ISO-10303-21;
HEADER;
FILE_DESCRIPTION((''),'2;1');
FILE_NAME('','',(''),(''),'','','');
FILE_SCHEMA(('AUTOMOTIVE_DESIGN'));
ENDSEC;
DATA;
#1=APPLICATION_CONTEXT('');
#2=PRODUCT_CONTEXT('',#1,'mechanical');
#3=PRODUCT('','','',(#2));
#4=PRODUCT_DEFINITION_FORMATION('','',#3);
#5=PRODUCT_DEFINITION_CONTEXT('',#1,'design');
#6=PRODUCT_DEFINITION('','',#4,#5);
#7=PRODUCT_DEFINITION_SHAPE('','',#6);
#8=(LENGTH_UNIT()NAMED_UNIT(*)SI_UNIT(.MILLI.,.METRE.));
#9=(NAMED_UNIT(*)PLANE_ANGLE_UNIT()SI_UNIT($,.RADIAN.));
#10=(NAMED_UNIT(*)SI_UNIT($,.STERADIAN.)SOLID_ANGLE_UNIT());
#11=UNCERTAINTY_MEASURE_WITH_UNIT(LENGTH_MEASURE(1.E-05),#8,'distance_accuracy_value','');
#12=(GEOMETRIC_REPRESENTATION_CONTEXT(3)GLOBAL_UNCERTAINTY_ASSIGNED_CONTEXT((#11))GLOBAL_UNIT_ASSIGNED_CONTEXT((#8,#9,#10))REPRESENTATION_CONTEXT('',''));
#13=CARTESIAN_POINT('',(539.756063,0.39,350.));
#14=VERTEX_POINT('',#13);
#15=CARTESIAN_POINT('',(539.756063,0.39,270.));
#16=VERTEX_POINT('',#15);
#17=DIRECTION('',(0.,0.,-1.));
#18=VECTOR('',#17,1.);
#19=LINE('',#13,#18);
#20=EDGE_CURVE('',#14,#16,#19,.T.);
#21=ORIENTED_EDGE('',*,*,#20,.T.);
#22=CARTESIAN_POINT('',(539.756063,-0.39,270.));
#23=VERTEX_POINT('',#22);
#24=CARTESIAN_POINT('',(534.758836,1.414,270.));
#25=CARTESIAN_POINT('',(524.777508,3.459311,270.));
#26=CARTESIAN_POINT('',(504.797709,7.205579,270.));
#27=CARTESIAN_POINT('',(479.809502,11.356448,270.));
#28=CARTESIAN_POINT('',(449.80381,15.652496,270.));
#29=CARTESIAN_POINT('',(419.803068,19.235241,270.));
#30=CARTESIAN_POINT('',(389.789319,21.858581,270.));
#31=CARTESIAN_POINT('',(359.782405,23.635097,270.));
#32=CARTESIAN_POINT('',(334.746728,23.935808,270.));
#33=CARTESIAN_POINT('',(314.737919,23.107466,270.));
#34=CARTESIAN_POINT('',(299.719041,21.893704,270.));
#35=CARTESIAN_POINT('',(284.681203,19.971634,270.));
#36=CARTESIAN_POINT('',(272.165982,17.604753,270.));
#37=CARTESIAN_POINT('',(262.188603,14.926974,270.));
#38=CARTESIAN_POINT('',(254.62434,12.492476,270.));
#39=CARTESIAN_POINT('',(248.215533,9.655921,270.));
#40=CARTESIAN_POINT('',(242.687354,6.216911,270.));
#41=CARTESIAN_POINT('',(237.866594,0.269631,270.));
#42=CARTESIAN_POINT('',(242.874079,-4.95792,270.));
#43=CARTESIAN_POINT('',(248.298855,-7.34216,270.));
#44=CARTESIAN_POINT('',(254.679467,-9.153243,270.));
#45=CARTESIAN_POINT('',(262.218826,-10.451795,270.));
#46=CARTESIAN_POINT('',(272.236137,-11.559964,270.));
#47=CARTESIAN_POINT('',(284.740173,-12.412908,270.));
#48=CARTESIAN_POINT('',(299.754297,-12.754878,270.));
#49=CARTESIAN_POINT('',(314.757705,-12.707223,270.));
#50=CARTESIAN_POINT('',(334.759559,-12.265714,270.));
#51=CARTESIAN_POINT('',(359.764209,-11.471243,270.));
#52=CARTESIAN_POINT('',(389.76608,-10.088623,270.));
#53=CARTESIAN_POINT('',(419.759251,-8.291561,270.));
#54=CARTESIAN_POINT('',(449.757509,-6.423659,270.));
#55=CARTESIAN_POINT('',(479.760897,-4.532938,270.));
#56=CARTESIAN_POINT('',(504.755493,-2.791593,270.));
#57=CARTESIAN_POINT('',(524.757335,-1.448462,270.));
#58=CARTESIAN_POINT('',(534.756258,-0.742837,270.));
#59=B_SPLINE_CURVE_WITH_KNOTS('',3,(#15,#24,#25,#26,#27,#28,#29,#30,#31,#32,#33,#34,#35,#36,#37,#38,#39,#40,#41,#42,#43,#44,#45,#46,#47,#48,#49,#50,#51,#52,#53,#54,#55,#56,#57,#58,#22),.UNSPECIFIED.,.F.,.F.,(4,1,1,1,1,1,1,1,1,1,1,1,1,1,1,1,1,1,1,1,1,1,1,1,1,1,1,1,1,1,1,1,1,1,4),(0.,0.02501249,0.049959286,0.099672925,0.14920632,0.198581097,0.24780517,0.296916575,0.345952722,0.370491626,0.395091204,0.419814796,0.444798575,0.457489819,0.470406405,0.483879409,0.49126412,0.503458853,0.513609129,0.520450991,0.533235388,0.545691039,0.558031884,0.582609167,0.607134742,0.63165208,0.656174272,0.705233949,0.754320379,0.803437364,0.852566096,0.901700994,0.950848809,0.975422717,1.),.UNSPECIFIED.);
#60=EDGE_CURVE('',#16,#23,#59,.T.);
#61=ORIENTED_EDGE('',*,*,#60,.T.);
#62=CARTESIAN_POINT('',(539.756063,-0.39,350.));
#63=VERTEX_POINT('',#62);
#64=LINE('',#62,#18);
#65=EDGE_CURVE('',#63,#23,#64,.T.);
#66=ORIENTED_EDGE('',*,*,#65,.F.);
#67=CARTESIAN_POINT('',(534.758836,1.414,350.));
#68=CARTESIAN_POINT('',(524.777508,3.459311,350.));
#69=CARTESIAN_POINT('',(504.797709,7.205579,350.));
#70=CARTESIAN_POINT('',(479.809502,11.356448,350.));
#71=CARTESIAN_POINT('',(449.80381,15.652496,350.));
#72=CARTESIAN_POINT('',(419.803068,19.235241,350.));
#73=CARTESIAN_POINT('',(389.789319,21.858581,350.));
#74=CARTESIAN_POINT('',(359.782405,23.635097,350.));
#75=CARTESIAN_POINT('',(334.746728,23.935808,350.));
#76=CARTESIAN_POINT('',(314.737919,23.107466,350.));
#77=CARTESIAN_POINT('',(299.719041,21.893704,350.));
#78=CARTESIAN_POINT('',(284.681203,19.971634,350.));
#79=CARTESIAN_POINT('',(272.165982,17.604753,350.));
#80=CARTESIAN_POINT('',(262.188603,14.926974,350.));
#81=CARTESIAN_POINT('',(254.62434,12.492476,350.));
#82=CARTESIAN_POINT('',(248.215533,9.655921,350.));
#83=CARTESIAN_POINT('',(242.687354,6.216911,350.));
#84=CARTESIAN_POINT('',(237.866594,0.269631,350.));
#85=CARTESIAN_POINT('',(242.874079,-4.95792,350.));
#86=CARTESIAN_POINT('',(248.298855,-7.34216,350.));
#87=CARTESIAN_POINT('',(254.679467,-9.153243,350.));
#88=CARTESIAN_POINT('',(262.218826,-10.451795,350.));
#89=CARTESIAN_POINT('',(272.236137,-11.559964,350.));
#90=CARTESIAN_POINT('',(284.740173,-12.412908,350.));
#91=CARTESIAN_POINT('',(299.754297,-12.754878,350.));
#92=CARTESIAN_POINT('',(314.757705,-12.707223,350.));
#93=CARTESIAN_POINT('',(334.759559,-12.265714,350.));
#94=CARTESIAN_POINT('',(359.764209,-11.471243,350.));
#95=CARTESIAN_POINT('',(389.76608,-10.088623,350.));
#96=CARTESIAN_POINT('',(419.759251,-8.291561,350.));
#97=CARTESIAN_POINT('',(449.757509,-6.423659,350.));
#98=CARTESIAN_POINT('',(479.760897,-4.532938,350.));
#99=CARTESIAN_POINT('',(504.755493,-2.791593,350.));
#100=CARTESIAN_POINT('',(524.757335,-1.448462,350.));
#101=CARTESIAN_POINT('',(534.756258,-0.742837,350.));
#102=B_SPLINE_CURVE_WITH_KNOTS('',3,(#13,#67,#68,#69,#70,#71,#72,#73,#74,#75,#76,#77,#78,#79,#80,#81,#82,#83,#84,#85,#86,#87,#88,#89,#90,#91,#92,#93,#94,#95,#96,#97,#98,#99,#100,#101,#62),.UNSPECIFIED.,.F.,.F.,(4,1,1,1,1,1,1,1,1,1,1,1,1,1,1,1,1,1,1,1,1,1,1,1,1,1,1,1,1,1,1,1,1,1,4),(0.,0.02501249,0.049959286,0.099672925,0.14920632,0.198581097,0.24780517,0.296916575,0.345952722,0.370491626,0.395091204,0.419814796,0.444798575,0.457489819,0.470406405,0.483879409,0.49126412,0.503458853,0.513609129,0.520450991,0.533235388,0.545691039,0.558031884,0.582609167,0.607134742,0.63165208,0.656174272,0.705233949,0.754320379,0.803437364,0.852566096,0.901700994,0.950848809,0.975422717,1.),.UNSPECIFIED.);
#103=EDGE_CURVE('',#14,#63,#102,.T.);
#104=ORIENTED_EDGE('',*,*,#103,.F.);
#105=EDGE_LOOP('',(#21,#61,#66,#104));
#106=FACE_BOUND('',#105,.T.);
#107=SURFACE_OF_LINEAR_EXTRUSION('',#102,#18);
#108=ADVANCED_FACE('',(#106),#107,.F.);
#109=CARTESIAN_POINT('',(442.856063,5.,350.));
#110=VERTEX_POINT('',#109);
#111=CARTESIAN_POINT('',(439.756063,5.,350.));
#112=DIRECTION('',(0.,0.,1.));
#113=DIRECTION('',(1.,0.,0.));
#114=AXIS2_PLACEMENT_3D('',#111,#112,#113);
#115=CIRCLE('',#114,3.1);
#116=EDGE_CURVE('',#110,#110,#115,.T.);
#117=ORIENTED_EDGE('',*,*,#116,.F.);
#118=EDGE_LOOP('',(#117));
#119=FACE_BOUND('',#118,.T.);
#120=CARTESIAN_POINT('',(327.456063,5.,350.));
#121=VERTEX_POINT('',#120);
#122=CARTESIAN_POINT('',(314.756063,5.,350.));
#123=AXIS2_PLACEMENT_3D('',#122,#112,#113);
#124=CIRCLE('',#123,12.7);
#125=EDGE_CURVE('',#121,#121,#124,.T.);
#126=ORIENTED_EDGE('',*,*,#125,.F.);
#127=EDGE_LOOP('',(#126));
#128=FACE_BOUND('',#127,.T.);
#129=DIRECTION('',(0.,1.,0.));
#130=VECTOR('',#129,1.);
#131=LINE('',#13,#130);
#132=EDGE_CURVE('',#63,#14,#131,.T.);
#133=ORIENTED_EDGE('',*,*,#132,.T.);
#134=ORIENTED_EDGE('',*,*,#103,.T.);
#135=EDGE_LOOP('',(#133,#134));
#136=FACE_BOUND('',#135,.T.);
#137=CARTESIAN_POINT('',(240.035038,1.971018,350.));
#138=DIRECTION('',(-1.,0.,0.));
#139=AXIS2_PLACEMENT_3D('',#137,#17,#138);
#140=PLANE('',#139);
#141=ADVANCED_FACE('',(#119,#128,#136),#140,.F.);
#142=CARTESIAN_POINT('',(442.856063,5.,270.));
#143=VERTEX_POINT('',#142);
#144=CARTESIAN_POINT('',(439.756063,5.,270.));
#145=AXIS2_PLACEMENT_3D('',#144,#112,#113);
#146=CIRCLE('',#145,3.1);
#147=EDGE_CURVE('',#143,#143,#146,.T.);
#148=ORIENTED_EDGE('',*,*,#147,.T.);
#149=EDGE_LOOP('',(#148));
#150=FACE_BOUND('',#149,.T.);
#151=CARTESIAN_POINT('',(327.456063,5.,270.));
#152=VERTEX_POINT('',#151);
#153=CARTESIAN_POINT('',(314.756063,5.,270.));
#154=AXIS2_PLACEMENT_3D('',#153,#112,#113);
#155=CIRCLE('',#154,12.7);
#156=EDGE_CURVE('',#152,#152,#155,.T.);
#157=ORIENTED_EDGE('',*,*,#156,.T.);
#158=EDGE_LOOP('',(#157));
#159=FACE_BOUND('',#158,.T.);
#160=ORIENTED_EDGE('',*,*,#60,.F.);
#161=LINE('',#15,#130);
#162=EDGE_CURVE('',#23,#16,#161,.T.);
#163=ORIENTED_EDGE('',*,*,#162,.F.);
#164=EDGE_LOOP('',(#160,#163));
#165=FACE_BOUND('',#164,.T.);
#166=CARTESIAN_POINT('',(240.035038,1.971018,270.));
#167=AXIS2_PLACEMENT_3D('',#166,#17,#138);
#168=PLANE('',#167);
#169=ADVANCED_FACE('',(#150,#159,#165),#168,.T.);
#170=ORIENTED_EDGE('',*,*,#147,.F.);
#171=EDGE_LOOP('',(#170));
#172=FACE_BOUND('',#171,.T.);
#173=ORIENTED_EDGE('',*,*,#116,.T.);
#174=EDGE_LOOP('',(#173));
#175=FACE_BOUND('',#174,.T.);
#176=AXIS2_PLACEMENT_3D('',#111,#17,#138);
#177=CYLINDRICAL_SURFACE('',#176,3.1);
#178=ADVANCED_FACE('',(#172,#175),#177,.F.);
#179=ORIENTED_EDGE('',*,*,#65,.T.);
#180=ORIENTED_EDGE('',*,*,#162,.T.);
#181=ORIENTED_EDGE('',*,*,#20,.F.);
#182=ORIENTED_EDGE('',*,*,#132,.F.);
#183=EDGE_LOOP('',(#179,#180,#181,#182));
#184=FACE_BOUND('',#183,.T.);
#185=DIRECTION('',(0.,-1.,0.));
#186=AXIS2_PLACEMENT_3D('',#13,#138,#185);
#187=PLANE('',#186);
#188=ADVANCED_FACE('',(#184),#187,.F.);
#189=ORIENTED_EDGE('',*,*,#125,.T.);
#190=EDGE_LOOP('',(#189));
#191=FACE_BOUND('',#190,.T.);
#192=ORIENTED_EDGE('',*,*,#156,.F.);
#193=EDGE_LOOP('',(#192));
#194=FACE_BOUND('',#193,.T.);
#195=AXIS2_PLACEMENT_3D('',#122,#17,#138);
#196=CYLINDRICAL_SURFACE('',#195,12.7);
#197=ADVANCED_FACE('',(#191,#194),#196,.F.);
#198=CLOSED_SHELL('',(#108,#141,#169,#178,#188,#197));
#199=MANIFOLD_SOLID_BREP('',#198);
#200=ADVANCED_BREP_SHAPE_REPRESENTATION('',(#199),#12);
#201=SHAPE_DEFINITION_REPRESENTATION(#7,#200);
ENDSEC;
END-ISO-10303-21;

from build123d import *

# Parameters (mm, degrees)
SKETCH1_R           = 12.7
SKETCH1_R_2         = 3.1
BOSS_EXTRUDE1_DEPTH = 80


with BuildPart() as part:
    # Sketch1 → Boss-Extrude1 (new body)
    with BuildSketch(Plane.XY):
        with BuildLine():
            Line((269.75606318, 0.39), (269.75606318, -0.39))
            add(Edge.make_bspline(
                [(269.75606318, 0.39), (264.758836378, 1.414000082), (254.777507596, 3.45931079), (234.797708888, 7.205579334), (209.809502227, 11.35644797), (179.803810027, 15.652495779), (149.803067524, 19.235240906), (119.789318532, 21.858580513), (89.782404697, 23.635097209), (64.746727737, 23.935808407), (44.737918653, 23.107465721), (29.719041415, 21.893704318), (14.681203014, 19.97163417), (2.165982385, 17.604753461), (-7.811397109, 14.926973956), (-15.375659845, 12.492476274), (-21.78446685, 9.655920822), (-27.312645833, 6.216911108), (-32.133405509, 0.269631354), (-27.125920641, -4.957920198), (-21.701145045, -7.342160266), (-15.320533432, -9.153243486), (-7.781174347, -10.451795047), (2.236136575, -11.559964158), (14.740172541, -12.412907572), (29.754296801, -12.754877712), (44.757705477, -12.707223024), (64.759558695, -12.26571363), (89.764209215, -11.471242967), (119.766079926, -10.088623246), (149.759251014, -8.291561108), (179.757509222, -6.423658887), (209.760896614, -4.532938454), (234.755492949, -2.791593222), (254.757335305, -1.448461772), (264.756258336, -0.742836743), (269.75606318, -0.39)],
                knots=[0, 0, 0, 0, 0.02501249, 0.049959286, 0.099672925, 0.14920632, 0.198581097, 0.24780517, 0.296916575, 0.345952722, 0.370491626, 0.395091204, 0.419814796, 0.444798575, 0.457489819, 0.470406405, 0.483879409, 0.49126412, 0.503458853, 0.513609129, 0.520450991, 0.533235388, 0.545691039, 0.558031884, 0.582609167, 0.607134742, 0.63165208, 0.656174272, 0.705233949, 0.754320379, 0.803437364, 0.852566096, 0.901700994, 0.950848809, 0.975422717, 1, 1, 1, 1], degree=3))
        make_face()
        with Locations((44.75606318, 5)):
            Circle(SKETCH1_R, mode=Mode.SUBTRACT)
        with Locations((169.75606318, 5)):
            Circle(SKETCH1_R_2, mode=Mode.SUBTRACT)
    extrude(amount=BOSS_EXTRUDE1_DEPTH)


with BuildPart() as part_1:
    # Body-Move/Copy1: moved
    add(part.part.moved(Location((270, 0, 270))))


solid = part_1.part
